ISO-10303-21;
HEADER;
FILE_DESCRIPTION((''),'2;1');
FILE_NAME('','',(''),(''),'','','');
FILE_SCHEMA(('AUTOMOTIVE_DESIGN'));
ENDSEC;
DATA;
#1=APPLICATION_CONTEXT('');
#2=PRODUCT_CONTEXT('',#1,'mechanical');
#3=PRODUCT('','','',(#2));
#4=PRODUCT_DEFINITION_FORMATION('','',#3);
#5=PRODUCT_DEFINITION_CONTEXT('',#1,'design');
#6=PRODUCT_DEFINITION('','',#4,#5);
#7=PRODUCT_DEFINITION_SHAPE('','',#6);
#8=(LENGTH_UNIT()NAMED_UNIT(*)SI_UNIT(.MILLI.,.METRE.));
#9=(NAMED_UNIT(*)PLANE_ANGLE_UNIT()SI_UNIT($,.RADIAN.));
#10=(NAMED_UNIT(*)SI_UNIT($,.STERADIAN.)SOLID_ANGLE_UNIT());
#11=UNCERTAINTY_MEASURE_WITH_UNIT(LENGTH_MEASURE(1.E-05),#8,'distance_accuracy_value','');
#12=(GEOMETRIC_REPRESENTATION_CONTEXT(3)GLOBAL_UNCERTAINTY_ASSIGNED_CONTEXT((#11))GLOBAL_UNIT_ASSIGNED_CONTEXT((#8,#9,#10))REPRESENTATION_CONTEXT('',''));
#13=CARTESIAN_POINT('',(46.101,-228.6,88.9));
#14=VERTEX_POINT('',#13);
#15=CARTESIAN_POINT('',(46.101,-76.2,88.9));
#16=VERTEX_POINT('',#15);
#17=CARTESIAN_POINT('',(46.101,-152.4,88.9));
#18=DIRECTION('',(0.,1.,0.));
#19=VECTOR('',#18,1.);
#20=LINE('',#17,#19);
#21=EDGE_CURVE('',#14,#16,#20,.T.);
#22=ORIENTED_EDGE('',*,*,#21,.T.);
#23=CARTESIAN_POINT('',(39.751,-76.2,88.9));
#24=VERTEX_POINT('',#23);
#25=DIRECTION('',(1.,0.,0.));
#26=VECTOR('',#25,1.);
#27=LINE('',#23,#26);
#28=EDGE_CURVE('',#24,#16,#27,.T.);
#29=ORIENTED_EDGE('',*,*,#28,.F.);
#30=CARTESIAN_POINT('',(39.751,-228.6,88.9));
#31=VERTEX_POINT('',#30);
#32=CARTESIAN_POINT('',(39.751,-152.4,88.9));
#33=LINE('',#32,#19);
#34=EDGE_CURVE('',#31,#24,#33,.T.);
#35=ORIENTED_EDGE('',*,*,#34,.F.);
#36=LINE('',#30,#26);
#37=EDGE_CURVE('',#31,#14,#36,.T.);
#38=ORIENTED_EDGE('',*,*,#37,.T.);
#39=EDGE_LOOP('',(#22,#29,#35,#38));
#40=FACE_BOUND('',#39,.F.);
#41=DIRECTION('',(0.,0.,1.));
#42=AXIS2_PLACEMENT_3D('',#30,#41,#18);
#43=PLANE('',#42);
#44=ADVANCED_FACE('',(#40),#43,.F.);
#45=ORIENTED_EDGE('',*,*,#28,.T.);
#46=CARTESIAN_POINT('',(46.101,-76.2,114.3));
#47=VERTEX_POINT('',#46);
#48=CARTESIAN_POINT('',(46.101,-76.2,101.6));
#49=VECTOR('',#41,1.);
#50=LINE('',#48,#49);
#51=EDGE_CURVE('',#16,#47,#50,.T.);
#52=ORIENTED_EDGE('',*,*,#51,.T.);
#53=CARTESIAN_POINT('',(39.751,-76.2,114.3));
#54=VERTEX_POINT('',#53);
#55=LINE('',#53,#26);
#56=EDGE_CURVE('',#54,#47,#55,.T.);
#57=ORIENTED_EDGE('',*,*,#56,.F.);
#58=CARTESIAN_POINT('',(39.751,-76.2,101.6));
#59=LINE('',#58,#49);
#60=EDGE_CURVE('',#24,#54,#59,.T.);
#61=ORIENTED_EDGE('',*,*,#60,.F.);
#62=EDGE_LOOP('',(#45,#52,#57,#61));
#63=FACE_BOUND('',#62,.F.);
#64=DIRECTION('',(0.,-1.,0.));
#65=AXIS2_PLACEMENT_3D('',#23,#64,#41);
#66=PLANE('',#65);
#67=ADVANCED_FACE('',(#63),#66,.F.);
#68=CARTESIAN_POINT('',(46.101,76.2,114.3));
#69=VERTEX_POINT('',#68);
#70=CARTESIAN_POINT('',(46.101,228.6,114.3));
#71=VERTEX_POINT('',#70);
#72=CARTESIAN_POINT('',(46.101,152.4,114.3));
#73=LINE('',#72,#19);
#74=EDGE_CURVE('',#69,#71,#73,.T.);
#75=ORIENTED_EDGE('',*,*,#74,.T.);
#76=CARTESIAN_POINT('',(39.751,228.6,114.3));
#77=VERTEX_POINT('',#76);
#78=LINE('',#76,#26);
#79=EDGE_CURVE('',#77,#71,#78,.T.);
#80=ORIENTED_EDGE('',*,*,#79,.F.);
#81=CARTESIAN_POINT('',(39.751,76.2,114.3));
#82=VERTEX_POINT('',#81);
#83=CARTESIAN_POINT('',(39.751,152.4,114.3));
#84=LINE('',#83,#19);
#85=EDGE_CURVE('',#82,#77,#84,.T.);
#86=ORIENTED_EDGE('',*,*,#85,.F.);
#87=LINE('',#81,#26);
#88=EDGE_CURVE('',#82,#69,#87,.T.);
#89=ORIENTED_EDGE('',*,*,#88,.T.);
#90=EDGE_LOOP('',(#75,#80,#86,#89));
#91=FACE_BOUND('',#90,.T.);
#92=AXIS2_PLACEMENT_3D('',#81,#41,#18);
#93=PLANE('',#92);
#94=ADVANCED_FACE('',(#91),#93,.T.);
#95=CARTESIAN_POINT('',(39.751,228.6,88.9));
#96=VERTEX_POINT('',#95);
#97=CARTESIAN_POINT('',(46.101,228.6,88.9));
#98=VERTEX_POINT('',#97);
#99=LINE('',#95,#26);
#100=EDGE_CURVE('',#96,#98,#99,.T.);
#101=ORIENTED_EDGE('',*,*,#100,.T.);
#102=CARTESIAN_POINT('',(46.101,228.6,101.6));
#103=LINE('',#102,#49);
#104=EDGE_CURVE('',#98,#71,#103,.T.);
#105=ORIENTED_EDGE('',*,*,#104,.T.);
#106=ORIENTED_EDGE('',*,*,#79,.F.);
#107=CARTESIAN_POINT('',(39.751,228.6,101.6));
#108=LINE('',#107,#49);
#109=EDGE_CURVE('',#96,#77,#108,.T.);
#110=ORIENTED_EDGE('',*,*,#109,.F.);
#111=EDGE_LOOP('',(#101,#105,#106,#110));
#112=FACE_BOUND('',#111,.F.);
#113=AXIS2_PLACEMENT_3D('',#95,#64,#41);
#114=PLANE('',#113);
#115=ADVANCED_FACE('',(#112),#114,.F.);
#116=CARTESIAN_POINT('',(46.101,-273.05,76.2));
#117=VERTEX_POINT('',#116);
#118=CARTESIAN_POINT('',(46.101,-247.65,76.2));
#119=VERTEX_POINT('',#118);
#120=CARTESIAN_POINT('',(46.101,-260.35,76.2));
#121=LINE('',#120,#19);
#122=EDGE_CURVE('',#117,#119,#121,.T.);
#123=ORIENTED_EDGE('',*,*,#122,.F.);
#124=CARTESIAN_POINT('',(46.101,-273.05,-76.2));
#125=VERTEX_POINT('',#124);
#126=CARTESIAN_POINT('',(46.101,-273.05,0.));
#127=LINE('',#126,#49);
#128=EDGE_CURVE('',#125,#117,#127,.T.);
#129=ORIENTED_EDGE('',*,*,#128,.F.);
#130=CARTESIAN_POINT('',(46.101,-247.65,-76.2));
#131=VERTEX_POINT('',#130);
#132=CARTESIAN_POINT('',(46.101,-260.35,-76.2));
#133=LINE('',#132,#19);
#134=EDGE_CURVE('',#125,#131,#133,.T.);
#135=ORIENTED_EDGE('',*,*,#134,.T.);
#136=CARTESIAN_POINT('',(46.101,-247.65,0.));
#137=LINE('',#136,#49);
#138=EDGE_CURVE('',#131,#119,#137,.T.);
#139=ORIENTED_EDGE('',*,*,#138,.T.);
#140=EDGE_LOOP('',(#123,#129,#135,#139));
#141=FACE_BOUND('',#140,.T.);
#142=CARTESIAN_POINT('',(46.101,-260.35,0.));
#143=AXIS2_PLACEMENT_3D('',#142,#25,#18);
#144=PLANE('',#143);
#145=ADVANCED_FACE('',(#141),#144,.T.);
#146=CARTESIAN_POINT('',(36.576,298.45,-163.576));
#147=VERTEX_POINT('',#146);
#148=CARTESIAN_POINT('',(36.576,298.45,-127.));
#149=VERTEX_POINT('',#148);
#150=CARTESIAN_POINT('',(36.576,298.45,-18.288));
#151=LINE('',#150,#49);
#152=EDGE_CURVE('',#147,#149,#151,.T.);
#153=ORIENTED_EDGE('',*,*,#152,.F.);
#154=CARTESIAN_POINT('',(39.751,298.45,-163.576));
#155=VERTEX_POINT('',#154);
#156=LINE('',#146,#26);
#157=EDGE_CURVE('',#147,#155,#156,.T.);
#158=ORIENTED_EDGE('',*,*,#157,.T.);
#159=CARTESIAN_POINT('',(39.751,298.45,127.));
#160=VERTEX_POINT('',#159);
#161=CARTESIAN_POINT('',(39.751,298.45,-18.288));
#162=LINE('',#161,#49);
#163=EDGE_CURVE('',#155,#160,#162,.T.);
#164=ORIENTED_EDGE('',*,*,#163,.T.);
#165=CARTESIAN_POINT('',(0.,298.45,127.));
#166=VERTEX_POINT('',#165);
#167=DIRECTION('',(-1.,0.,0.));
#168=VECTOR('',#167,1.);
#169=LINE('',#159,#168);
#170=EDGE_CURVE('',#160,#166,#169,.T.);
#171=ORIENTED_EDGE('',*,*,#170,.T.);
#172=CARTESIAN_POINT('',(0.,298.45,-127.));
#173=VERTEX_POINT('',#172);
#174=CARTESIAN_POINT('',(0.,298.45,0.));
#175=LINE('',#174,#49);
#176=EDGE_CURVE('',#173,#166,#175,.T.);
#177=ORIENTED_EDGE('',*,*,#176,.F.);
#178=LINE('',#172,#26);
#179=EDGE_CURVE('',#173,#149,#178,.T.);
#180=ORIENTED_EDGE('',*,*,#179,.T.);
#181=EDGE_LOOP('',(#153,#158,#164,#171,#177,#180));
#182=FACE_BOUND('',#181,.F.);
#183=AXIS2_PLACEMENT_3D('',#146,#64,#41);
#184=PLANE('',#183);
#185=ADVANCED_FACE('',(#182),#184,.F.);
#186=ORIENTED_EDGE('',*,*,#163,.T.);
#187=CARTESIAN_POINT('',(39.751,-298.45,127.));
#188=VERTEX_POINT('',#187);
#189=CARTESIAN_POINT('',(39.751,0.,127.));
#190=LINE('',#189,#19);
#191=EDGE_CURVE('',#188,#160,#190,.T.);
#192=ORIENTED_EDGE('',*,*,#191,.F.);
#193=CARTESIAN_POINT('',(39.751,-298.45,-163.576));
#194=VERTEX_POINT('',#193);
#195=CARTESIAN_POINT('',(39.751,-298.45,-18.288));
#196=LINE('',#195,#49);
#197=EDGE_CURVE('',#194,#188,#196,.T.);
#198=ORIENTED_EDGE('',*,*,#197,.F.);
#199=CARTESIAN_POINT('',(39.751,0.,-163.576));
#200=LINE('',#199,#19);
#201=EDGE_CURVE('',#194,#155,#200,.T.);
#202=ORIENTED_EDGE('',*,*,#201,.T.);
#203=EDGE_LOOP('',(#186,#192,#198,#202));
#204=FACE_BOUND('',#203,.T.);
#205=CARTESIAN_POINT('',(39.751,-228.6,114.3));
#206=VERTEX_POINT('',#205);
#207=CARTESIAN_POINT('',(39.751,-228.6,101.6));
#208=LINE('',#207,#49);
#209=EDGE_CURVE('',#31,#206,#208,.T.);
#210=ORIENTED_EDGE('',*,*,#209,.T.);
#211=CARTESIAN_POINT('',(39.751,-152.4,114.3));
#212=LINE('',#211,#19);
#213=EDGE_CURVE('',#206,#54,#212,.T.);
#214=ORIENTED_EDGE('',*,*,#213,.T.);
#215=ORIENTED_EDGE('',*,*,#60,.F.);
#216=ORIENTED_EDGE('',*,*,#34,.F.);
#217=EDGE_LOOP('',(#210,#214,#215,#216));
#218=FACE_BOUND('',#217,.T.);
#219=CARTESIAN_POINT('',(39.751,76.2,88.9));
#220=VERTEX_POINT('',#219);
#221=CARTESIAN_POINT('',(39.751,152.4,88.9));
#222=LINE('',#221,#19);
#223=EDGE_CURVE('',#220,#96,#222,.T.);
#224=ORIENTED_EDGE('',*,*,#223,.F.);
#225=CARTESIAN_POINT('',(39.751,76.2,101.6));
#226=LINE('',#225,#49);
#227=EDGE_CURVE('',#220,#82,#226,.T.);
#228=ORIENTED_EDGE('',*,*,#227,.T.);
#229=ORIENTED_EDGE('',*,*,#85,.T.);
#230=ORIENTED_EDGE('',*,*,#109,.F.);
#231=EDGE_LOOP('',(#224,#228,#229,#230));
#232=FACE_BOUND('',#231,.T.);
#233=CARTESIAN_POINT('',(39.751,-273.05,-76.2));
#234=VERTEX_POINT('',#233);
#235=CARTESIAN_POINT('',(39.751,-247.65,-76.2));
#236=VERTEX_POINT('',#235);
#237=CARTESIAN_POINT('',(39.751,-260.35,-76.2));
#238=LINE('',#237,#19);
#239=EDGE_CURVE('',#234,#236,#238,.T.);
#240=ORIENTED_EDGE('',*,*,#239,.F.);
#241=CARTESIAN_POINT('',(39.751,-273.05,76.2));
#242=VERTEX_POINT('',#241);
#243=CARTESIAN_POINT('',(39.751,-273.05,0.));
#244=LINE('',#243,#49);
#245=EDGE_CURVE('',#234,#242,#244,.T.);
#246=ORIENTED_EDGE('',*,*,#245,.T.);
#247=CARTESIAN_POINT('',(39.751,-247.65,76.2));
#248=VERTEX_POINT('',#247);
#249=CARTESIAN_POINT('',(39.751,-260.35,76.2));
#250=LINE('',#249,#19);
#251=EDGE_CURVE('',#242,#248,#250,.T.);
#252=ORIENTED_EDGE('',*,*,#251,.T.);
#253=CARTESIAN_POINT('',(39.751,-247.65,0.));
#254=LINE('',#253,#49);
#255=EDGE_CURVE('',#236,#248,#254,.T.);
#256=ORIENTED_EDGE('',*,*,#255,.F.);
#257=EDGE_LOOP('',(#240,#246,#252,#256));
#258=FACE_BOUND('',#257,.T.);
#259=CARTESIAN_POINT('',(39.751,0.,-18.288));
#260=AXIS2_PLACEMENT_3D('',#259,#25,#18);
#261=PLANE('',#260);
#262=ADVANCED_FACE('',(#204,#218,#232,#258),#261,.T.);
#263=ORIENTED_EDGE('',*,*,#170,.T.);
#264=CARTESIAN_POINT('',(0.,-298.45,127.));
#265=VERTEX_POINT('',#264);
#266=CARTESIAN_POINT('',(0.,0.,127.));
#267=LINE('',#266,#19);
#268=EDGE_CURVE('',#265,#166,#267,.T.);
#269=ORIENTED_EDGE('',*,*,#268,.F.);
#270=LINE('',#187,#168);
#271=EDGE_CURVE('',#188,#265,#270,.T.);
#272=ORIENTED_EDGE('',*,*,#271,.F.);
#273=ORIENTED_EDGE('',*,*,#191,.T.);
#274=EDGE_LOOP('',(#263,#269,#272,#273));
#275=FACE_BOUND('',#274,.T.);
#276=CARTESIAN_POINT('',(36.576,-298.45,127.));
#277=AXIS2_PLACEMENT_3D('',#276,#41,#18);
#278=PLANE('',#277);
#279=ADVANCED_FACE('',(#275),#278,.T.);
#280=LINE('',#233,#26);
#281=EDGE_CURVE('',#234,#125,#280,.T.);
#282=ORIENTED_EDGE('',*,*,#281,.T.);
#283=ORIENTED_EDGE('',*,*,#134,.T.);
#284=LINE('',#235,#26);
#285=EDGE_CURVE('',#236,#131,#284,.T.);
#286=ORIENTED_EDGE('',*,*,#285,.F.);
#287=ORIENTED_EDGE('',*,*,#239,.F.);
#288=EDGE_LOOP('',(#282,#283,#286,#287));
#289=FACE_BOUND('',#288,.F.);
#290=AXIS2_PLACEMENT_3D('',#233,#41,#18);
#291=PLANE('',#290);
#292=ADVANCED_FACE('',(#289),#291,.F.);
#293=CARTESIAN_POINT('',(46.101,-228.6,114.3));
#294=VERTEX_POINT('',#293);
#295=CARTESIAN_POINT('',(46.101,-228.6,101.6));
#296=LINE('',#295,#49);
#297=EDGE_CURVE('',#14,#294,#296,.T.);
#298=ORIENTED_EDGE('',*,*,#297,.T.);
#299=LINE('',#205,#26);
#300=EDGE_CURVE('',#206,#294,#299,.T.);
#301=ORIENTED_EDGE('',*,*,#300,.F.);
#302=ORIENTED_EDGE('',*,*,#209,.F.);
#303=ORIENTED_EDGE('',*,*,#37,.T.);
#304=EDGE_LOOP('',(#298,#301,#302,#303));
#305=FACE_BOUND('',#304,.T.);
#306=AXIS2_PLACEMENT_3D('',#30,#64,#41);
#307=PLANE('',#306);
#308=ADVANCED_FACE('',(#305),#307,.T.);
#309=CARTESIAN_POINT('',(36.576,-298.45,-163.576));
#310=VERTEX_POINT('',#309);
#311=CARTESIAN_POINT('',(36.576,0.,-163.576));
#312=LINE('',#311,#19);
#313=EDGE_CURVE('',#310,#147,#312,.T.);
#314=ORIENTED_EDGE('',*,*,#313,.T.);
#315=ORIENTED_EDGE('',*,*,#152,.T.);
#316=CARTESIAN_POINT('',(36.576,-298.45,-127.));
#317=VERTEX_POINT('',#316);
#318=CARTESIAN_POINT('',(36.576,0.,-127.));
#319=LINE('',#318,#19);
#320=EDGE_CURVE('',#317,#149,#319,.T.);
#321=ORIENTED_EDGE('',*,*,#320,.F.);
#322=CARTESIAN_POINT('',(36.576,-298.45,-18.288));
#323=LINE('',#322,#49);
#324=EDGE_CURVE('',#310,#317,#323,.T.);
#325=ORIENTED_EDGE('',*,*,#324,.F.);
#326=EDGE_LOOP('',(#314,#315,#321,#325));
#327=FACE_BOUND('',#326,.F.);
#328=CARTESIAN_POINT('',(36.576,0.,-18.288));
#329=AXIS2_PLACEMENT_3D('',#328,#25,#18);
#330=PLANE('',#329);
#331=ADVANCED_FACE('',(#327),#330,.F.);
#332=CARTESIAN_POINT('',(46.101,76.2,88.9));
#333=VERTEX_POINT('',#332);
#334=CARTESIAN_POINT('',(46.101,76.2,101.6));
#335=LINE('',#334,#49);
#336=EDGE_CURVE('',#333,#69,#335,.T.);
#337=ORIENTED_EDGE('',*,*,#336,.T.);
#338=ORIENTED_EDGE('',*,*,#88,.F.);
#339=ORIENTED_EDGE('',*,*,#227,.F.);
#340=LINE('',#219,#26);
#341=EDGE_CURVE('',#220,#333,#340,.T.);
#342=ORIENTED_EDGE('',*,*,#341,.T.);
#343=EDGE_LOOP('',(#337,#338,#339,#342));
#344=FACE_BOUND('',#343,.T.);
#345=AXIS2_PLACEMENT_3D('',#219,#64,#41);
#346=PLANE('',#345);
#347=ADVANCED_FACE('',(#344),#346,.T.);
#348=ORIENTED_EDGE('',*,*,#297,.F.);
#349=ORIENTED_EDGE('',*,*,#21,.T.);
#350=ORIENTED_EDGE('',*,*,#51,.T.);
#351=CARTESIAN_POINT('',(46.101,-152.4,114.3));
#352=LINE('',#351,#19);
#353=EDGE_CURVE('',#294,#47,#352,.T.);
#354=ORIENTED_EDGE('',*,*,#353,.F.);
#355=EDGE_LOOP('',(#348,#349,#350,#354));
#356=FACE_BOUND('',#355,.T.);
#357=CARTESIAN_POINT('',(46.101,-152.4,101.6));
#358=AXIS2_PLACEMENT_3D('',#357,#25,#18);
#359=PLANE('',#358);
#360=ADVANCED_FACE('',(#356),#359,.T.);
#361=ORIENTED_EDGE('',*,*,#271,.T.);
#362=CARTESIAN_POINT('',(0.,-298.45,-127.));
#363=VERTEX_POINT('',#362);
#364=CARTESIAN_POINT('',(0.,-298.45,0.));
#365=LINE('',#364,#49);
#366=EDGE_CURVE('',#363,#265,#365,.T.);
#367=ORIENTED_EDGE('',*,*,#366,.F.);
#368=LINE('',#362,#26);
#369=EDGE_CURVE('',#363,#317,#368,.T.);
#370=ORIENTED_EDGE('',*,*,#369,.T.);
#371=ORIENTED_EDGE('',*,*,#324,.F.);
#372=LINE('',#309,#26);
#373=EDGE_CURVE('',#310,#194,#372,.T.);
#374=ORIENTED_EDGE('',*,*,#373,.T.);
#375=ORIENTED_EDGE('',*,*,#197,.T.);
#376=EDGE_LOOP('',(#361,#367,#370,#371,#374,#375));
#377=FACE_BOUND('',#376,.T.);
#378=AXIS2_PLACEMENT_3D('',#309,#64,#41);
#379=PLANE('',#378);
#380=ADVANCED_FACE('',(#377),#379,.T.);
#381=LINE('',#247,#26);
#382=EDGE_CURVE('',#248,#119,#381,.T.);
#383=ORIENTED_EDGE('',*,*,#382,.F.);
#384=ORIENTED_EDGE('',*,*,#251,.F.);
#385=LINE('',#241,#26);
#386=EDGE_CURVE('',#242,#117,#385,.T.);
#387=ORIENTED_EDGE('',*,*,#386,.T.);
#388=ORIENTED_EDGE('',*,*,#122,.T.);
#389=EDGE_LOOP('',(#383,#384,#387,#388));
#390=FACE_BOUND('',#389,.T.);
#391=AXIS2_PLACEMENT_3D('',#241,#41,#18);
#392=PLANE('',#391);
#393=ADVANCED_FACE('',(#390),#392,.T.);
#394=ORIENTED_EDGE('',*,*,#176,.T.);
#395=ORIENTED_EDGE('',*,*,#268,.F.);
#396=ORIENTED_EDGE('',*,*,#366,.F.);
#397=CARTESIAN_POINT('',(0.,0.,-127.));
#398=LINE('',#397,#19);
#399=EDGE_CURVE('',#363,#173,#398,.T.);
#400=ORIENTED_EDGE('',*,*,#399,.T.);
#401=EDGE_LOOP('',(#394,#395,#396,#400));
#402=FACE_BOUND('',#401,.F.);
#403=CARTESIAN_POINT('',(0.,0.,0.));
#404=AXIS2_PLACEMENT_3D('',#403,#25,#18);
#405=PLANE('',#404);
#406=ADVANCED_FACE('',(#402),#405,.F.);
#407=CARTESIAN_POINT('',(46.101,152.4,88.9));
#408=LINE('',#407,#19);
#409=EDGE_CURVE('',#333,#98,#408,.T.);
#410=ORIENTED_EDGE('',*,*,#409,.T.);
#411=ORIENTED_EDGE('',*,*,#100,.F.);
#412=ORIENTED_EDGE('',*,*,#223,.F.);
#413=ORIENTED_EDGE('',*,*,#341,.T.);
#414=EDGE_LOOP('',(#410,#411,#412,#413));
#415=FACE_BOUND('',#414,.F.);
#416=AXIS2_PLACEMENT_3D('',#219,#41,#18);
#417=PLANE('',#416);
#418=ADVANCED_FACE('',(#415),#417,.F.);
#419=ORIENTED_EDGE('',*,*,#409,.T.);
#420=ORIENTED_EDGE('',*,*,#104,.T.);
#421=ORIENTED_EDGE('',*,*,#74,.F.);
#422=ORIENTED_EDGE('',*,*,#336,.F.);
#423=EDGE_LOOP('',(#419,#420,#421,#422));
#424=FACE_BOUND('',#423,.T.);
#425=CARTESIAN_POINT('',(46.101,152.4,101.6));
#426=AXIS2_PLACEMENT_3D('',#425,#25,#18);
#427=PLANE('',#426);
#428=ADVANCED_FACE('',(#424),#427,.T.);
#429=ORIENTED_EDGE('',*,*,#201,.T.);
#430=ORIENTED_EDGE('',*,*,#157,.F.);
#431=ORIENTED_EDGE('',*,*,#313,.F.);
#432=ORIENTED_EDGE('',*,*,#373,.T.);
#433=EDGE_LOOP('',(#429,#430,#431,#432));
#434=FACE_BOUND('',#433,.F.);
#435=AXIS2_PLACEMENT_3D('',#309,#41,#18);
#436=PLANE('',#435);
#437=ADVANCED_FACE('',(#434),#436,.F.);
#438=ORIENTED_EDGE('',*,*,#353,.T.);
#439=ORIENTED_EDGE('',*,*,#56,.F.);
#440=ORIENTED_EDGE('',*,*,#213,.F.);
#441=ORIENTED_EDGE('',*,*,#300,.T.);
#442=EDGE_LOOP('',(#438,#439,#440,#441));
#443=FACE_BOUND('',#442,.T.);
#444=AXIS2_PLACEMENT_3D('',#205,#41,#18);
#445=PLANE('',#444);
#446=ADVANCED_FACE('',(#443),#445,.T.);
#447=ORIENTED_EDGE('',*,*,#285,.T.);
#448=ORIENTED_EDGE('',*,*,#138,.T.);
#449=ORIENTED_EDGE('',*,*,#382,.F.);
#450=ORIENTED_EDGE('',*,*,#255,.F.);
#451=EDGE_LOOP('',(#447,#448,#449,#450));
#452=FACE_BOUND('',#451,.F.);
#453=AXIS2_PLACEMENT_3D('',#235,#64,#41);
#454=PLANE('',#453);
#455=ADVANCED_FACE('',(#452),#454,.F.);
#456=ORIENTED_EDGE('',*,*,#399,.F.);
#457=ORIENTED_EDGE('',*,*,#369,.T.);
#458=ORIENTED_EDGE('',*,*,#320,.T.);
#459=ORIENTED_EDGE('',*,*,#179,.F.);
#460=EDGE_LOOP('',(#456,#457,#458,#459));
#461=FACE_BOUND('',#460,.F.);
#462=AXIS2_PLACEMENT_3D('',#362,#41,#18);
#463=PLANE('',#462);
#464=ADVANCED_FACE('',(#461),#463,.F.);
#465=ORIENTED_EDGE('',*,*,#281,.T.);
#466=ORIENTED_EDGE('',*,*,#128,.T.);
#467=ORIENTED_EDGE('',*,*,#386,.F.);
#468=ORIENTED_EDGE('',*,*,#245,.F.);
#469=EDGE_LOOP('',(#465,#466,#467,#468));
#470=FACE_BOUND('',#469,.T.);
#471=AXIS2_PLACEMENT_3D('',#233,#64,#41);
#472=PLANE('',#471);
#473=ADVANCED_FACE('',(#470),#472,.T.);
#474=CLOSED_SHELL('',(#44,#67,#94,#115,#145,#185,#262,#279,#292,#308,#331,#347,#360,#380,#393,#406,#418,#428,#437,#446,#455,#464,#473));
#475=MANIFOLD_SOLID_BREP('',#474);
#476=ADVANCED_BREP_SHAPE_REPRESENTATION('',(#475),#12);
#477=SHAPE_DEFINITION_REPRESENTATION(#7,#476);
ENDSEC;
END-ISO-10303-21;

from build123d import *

# Parameters (mm, degrees)
F0_W     = 596.9
F0_H     = 254
F1_DEPTH = 36.576
F2_W     = 596.9
F2_H     = 290.576
F3_DEPTH = 3.175
F4_W     = 152.4
F4_H     = 25.4
F4_W_2   = 25.4
F4_H_2   = 152.4
F5_DEPTH = 6.35


with BuildPart() as f1:
    # F0 (on Right) → F1 (new body)
    with BuildSketch(Plane.YZ):
        Rectangle(F0_W, F0_H)
    extrude(amount=F1_DEPTH)

    # F2 (on face) → F3 (join)
    with BuildSketch(Plane.YZ.offset(36.576)):
        with Locations((0, -18.288)):
            Rectangle(F2_W, F2_H)
    extrude(amount=F3_DEPTH)

    # F4 (on face) → F5 (join)
    with BuildSketch(Plane.YZ.offset(39.751)):
        with Locations((152.4, 101.6)):
            Rectangle(F4_W, F4_H)
        with Locations((-260.35, 0)):
            Rectangle(F4_W_2, F4_H_2)
        with Locations((-152.4, 101.6)):
            Rectangle(F4_W, F4_H)
    extrude(amount=F5_DEPTH)


solid = f1.part
